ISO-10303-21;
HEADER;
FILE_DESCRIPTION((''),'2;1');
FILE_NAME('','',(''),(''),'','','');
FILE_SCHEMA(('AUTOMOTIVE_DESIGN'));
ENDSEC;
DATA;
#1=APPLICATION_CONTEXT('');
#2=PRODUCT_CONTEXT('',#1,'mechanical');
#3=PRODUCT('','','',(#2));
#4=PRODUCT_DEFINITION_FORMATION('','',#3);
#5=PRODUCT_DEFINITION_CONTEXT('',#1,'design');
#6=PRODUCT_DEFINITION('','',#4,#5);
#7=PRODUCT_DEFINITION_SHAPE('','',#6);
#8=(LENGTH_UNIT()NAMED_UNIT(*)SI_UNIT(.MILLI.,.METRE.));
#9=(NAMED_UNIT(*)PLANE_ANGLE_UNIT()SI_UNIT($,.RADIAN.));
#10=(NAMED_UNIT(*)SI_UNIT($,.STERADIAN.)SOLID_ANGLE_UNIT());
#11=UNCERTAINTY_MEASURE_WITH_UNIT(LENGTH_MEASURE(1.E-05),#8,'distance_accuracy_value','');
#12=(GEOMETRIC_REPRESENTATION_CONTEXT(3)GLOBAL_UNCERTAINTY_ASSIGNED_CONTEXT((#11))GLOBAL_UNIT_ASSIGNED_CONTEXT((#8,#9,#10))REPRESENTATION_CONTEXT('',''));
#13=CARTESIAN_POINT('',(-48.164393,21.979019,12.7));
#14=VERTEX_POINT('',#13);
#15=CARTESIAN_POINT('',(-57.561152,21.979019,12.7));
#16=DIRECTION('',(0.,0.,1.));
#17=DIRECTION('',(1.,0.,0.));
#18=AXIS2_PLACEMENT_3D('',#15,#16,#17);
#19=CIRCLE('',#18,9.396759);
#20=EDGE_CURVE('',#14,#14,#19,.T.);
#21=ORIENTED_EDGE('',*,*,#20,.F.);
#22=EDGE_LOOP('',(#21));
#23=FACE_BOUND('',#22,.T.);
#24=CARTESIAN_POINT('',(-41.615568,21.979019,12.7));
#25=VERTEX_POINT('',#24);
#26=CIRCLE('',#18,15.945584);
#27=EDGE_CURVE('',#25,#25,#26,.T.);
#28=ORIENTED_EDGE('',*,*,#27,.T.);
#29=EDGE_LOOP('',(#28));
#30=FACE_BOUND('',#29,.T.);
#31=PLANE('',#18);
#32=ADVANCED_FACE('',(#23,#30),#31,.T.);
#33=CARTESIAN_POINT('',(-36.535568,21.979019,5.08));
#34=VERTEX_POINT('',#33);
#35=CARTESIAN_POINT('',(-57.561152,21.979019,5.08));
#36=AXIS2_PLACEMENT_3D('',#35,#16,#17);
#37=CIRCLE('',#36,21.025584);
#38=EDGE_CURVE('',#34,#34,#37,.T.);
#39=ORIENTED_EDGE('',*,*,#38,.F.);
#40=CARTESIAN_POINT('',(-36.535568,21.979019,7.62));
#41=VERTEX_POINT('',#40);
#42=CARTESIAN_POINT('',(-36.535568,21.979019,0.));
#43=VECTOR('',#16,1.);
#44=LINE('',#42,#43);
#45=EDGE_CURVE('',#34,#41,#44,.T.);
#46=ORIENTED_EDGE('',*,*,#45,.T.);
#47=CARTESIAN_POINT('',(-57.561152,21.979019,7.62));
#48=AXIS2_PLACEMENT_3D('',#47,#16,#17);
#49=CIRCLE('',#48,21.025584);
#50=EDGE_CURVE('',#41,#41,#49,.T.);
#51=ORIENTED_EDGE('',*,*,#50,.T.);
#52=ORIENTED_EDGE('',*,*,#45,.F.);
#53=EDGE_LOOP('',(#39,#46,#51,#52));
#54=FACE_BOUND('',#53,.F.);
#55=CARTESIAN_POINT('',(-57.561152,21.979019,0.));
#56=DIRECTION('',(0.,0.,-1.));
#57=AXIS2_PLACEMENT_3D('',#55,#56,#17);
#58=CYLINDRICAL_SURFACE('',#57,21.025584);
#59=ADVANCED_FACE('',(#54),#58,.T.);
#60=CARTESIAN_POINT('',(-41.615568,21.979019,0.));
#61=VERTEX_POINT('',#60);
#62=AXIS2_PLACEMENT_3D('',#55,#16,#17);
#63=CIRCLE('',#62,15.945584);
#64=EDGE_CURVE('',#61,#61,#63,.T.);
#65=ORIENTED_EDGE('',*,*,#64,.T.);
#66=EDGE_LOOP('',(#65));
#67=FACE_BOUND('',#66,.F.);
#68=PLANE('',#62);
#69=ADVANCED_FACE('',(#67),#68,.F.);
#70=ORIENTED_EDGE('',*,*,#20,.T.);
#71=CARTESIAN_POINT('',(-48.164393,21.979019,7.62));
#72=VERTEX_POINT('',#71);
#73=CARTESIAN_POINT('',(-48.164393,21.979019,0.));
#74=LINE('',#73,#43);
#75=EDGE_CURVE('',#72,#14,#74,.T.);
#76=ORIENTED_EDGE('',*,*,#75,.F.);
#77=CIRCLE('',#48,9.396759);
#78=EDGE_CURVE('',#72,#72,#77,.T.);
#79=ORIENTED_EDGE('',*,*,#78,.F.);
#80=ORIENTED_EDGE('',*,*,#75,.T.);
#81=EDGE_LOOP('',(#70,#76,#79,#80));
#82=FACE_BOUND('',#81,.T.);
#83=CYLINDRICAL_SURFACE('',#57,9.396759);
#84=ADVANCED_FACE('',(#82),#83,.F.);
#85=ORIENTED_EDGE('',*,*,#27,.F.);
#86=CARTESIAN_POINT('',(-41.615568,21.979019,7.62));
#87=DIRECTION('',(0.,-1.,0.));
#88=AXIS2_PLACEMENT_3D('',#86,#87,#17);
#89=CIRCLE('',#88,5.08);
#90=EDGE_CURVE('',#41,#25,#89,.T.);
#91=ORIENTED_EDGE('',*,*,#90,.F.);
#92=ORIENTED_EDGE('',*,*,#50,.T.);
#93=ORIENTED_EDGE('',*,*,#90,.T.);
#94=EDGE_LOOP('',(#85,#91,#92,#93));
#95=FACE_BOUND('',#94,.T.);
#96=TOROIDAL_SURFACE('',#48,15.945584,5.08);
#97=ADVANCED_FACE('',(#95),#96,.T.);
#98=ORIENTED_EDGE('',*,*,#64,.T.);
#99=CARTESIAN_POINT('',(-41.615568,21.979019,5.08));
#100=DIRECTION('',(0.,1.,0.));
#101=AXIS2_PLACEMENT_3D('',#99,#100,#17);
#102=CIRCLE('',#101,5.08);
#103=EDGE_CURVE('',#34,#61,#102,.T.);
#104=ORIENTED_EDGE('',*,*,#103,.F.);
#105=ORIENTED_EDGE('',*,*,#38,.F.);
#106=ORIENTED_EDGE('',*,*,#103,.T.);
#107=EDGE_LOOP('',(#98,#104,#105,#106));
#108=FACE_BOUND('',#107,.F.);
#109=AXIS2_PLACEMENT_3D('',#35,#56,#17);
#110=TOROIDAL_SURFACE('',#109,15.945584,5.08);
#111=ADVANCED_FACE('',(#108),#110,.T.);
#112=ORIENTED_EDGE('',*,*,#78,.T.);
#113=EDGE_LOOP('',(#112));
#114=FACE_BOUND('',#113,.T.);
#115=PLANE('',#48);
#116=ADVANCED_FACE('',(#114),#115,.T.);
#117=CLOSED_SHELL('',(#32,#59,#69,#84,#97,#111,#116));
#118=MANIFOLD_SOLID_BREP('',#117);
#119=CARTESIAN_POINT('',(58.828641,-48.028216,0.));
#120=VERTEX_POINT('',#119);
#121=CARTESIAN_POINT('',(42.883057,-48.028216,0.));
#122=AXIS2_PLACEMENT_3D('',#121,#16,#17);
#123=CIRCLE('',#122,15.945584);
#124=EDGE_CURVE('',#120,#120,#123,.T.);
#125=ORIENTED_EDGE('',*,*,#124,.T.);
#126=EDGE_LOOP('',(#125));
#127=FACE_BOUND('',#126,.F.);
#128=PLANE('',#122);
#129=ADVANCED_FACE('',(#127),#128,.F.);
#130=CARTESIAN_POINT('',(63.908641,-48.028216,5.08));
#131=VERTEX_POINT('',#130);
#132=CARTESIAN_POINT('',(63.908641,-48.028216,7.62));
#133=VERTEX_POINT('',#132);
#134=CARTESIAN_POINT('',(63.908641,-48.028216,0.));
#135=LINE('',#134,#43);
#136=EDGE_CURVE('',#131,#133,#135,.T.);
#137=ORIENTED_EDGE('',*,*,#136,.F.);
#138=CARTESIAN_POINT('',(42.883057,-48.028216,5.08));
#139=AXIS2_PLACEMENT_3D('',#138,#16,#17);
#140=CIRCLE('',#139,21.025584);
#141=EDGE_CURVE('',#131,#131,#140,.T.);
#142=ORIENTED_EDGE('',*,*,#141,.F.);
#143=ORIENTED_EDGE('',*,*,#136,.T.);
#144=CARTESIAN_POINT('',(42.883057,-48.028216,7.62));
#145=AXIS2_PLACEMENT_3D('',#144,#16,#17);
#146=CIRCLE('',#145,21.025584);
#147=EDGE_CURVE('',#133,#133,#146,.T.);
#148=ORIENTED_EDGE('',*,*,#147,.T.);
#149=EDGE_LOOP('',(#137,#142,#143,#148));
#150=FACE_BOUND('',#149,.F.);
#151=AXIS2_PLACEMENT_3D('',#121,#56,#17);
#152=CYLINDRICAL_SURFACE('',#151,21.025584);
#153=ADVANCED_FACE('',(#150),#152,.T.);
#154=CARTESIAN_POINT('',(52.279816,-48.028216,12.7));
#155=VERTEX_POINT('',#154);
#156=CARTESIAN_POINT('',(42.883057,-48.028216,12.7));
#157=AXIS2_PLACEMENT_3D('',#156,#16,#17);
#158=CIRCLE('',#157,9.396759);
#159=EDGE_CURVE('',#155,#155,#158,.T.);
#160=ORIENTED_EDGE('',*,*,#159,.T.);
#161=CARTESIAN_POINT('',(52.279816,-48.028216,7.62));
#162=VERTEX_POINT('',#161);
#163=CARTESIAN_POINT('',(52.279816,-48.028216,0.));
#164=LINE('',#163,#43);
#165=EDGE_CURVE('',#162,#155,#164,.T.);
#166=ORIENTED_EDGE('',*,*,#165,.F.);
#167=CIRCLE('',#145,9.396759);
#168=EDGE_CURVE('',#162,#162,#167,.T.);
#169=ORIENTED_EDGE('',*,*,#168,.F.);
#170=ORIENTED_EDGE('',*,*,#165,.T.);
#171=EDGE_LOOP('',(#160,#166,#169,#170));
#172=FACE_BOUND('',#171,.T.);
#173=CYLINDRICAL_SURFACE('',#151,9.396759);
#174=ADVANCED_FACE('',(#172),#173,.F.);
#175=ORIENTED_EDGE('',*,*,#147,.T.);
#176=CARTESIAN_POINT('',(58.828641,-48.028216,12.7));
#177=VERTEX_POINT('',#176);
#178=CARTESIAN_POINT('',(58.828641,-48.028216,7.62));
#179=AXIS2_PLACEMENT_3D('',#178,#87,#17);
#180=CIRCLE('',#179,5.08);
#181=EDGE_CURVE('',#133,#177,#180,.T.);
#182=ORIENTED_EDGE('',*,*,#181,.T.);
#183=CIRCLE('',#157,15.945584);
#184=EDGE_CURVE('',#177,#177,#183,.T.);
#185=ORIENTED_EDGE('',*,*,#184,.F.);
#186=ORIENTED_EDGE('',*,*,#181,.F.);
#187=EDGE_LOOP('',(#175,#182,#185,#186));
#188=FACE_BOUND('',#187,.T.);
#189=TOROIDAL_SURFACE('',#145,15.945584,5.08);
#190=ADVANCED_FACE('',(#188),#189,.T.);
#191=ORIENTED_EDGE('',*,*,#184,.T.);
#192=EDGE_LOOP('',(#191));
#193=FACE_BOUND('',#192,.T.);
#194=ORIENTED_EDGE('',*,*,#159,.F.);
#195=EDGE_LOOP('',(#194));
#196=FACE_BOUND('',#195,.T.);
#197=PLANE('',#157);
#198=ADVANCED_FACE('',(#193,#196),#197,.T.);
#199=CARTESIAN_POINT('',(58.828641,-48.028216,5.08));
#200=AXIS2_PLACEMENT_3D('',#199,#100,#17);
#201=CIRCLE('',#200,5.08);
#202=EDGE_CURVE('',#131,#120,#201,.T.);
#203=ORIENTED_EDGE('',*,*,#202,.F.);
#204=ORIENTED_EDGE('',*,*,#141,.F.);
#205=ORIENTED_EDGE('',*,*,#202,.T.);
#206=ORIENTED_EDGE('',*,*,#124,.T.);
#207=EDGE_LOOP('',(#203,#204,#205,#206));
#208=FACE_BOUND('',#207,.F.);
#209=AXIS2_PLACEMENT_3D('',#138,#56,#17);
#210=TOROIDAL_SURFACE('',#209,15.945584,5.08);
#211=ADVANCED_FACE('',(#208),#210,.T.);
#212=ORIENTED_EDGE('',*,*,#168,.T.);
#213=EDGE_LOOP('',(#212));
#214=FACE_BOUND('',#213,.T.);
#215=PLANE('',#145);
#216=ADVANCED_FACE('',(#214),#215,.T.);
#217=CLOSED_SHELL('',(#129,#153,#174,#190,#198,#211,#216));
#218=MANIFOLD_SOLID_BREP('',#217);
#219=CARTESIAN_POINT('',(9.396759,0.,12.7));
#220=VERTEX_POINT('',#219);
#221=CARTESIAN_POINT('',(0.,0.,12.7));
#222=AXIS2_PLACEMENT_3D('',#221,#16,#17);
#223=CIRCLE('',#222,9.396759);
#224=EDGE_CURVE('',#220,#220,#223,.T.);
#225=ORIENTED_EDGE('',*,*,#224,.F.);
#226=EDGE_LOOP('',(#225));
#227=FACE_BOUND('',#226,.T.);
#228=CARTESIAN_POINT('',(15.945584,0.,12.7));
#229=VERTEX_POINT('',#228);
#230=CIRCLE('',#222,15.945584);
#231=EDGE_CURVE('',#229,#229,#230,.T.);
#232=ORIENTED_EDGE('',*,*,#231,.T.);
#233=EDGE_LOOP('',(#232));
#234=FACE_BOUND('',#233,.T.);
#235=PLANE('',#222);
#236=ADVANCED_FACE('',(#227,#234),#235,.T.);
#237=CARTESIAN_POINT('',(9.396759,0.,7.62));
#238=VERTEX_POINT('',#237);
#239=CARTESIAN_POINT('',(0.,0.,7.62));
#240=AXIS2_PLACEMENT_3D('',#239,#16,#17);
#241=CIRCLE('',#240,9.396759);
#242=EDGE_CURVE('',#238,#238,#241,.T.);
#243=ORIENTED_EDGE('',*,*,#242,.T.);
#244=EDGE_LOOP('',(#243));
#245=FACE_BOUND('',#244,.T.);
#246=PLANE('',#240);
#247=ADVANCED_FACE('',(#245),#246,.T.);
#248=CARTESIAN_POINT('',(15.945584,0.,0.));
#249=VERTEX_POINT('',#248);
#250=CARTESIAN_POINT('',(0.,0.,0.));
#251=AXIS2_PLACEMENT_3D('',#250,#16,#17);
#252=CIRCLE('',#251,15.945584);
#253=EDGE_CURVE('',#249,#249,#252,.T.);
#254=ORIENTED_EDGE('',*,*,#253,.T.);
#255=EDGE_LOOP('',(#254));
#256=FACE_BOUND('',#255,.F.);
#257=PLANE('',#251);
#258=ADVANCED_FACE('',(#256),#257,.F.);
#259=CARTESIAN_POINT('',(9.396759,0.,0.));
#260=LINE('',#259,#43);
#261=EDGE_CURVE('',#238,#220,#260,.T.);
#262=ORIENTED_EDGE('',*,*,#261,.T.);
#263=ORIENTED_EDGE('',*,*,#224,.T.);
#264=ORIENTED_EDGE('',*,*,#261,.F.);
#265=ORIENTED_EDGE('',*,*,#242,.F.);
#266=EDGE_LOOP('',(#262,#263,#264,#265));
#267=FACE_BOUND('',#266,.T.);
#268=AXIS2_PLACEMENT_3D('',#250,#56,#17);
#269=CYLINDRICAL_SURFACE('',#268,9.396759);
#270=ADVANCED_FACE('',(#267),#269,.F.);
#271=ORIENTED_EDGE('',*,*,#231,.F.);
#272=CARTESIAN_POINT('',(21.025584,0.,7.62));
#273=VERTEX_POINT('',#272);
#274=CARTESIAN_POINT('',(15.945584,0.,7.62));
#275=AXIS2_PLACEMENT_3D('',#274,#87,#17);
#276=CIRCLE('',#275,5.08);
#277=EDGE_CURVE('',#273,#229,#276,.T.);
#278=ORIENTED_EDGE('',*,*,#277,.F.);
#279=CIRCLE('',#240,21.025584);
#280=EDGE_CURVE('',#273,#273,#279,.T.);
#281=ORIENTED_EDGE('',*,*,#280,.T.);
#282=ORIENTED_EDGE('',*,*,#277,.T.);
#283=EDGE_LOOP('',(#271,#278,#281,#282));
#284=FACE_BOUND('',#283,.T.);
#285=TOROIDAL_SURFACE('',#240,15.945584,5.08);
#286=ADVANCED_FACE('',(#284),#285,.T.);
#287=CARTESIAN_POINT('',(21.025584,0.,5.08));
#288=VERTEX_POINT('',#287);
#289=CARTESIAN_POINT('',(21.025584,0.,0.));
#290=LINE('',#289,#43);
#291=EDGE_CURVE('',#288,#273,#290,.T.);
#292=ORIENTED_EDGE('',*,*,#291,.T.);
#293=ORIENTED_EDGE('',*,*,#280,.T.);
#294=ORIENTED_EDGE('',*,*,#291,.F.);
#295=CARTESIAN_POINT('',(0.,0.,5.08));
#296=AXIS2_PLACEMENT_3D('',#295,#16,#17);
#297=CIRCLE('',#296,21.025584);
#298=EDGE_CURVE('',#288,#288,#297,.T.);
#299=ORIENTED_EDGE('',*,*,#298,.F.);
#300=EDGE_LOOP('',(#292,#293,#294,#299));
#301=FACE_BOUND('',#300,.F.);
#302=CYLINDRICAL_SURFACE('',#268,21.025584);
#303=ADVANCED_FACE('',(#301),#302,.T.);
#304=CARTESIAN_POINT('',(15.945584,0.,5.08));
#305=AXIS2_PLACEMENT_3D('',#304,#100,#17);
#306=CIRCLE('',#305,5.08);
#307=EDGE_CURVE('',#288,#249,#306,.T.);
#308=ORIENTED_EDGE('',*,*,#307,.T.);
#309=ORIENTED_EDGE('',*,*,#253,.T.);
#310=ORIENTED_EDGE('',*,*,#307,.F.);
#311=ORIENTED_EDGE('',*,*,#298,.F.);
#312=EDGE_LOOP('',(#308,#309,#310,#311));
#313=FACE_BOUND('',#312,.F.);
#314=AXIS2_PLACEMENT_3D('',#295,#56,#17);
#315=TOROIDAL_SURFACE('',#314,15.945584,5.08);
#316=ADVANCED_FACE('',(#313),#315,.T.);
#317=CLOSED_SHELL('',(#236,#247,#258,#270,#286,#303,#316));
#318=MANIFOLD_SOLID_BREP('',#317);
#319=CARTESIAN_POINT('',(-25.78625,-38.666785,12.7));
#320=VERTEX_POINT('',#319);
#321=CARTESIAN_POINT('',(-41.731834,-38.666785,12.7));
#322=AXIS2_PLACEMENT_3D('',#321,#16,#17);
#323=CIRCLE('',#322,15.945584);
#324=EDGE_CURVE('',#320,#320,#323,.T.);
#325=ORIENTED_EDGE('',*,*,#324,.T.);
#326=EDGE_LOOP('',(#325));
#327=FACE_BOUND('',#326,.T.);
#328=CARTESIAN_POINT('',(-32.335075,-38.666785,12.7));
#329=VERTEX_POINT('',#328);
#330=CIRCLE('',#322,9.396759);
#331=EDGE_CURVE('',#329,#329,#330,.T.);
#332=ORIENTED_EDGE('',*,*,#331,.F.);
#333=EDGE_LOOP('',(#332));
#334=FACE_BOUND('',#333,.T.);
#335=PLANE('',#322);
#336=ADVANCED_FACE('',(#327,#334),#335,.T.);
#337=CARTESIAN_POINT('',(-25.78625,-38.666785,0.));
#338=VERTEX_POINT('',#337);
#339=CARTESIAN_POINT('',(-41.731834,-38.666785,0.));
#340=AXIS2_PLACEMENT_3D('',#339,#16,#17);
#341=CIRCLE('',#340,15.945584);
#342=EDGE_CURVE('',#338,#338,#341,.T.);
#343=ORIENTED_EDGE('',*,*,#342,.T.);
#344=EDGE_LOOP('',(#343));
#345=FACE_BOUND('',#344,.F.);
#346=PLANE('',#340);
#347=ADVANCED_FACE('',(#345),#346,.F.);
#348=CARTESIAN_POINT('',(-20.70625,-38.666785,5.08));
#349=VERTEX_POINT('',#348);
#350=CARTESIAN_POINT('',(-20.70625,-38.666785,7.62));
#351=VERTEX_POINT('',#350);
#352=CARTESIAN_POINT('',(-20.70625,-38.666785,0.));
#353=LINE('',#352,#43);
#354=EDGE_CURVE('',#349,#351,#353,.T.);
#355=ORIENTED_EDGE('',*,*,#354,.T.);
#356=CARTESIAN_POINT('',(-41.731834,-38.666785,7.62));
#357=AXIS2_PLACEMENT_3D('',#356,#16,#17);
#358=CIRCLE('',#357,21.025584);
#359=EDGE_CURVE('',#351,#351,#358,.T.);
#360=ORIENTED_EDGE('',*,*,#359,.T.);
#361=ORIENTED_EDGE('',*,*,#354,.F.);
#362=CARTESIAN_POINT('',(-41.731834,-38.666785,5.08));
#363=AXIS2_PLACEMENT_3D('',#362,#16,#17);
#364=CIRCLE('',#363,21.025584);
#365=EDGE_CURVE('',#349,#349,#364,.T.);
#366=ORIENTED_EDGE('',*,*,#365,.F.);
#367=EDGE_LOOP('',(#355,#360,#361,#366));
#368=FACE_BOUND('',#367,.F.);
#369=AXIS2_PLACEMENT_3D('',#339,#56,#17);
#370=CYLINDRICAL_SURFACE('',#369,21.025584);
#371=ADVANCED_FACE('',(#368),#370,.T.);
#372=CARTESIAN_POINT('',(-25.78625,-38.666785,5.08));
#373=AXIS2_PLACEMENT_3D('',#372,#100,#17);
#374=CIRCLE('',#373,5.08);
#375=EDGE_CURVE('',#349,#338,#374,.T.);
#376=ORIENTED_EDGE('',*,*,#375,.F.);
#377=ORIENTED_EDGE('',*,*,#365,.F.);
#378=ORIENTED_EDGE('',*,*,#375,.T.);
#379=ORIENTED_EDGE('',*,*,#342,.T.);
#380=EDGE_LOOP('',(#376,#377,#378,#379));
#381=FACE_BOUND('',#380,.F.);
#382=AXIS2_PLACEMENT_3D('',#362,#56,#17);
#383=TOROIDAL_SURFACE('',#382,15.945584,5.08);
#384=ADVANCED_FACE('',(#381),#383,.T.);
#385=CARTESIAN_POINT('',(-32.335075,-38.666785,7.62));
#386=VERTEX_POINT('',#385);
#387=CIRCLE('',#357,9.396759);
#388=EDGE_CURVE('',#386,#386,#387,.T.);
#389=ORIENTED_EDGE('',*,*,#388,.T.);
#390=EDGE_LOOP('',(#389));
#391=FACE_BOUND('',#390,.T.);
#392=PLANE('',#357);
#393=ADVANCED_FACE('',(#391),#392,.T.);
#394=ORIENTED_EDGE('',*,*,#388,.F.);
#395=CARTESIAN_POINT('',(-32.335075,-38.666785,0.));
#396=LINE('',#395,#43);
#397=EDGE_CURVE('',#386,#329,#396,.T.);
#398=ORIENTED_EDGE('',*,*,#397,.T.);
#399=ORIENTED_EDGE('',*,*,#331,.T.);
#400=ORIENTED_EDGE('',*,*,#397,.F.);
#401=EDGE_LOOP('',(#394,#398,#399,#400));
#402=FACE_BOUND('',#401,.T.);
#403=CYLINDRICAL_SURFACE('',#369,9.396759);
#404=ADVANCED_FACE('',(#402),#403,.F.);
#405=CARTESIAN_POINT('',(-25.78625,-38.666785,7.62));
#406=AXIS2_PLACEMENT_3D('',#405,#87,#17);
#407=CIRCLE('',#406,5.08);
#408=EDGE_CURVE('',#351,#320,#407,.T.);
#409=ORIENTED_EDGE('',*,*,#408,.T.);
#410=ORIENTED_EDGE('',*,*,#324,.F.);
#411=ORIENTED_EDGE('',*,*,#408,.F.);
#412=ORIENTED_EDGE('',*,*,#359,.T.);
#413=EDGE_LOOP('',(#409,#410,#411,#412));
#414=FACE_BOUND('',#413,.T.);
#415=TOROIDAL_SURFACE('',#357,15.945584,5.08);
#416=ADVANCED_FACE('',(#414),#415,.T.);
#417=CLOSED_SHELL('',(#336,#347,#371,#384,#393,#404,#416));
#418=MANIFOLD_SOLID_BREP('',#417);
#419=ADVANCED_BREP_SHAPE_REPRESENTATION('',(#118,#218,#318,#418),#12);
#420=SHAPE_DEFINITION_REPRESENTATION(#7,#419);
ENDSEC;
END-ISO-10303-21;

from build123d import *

# Parameters (mm, degrees)
F0_R      = 21.025584
F0_R_2    = 9.396759
F1_DEPTH  = 12.7
F2_R      = 5.08
F3_DEPTH  = 7.62
F4_DEPTH  = 25.4
F5_R      = 5.08
F6_DEPTH  = 12.7
F7_DEPTH  = 25.4
F8_R      = 5.08
F9_DEPTH  = 12.7
F10_DEPTH = 25.4
F11_R     = 5.08
F12_DEPTH = 12.7
F16_DEPTH = 12.7
F17_R     = 5.08
F18_DEPTH = 7.62
F19_DEPTH = 12.7
F20_R     = 5.08
F21_DEPTH = 12.7
F22_R     = 5.08
F23_DEPTH = 7.62
F24_DEPTH = 7.62


with BuildPart() as f1:
    # F0 (on Top) → F1 (new body)
    with BuildSketch(Plane.XY):
        Circle(F0_R)
        Circle(F0_R_2, mode=Mode.SUBTRACT)
    extrude(amount=F1_DEPTH)

    # F2
    f2_edges = [f1.edges().sort_by_distance(p)[0] for p in [
        (21.025584, 0, 6.35),
        (-21.025584, 0, 0),
        (-21.025584, 0, 12.7),
    ]]
    fillet(f2_edges, radius=F2_R)

    # F0 (on Top) → F3 (join)
    with BuildSketch(Plane.XY):
        Circle(F0_R_2)
    extrude(amount=F3_DEPTH)


with BuildPart() as f4:
    # F0 (on Top) → F4 (new body)
    with BuildSketch(Plane.XY):
        with Locations((-57.561152, 21.979019)):
            Circle(F0_R)
        with Locations((-57.561152, 21.979019)):
            Circle(F0_R_2, mode=Mode.SUBTRACT)
    extrude(amount=F4_DEPTH)

    # F5
    f5_edges = [f4.edges().sort_by_distance(p)[0] for p in [
        (-36.535567, 21.979019, 12.7),
        (-78.586736, 21.979019, 0),
        (-78.586736, 21.979019, 25.4),
    ]]
    fillet(f5_edges, radius=F5_R)

    # F0 (on Top) → F6 (join)
    with BuildSketch(Plane.XY):
        with Locations((-57.561152, 21.979019)):
            Circle(F0_R_2)
    extrude(amount=F6_DEPTH)


with BuildPart() as f7:
    # F0 (on Top) → F7 (new body)
    with BuildSketch(Plane.XY):
        with Locations((-41.731834, -38.666785)):
            Circle(F0_R)
        with Locations((-41.731834, -38.666785)):
            Circle(F0_R_2, mode=Mode.SUBTRACT)
    extrude(amount=F7_DEPTH)

    # F8
    f8_edges = [f7.edges().sort_by_distance(p)[0] for p in [
        (-20.70625, -38.666785, 12.7),
        (-62.757419, -38.666785, 0),
        (-62.757419, -38.666785, 25.4),
    ]]
    fillet(f8_edges, radius=F8_R)

    # F0 (on Top) → F9 (join)
    with BuildSketch(Plane.XY):
        with Locations((-41.731834, -38.666785)):
            Circle(F0_R_2)
    extrude(amount=F9_DEPTH)


with BuildPart() as f10:
    # F0 (on Top) → F10 (new body)
    with BuildSketch(Plane.XY):
        with Locations((42.883057, -48.028216)):
            Circle(F0_R)
        with Locations((42.883057, -48.028216)):
            Circle(F0_R_2, mode=Mode.SUBTRACT)
    extrude(amount=F10_DEPTH)

    # F11
    f11_edges = [f10.edges().sort_by_distance(p)[0] for p in [
        (63.908641, -48.028216, 12.7),
        (21.857473, -48.028216, 0),
        (21.857473, -48.028216, 25.4),
    ]]
    fillet(f11_edges, radius=F11_R)

    # F0 (on Top) → F12 (join)
    with BuildSketch(Plane.XY):
        with Locations((42.883057, -48.028216)):
            Circle(F0_R_2)
    extrude(amount=F12_DEPTH)


with BuildPart() as f16:
    # F0 (on Top) → F16 (new body)
    with BuildSketch(Plane.XY):
        with Locations((-57.561152, 21.979019)):
            Circle(F0_R)
        with Locations((-57.561152, 21.979019)):
            Circle(F0_R_2, mode=Mode.SUBTRACT)
    extrude(amount=F16_DEPTH)

    # F17
    f17_edges = [f16.edges().sort_by_distance(p)[0] for p in [
        (-36.535567, 21.979019, 6.35),
        (-78.586736, 21.979019, 0),
        (-78.586736, 21.979019, 12.7),
    ]]
    fillet(f17_edges, radius=F17_R)

    # F0 (on Top) → F18 (join)
    with BuildSketch(Plane.XY):
        with Locations((-57.561152, 21.979019)):
            Circle(F0_R_2)
    extrude(amount=F18_DEPTH)


with BuildPart() as f19:
    # F0 (on Top) → F19 (new body)
    with BuildSketch(Plane.XY):
        with Locations((42.883057, -48.028216)):
            Circle(F0_R)
        with Locations((42.883057, -48.028216)):
            Circle(F0_R_2, mode=Mode.SUBTRACT)
    extrude(amount=F19_DEPTH)

    # F20
    f20_edges = [f19.edges().sort_by_distance(p)[0] for p in [
        (63.908641, -48.028216, 6.35),
        (21.857473, -48.028216, 0),
        (21.857473, -48.028216, 12.7),
    ]]
    fillet(f20_edges, radius=F20_R)

    # F0 (on Top) → F23 (join)
    with BuildSketch(Plane.XY):
        with Locations((42.883057, -48.028216)):
            Circle(F0_R_2)
    extrude(amount=F23_DEPTH)


with BuildPart() as f21:
    # F0 (on Top) → F21 (new body)
    with BuildSketch(Plane.XY):
        with Locations((-41.731834, -38.666785)):
            Circle(F0_R)
        with Locations((-41.731834, -38.666785)):
            Circle(F0_R_2, mode=Mode.SUBTRACT)
    extrude(amount=F21_DEPTH)

    # F22
    f22_edges = [f21.edges().sort_by_distance(p)[0] for p in [
        (-20.70625, -38.666785, 6.35),
        (-62.757419, -38.666785, 0),
        (-62.757419, -38.666785, 12.7),
    ]]
    fillet(f22_edges, radius=F22_R)

    # F0 (on Top) → F24 (join)
    with BuildSketch(Plane.XY):
        with Locations((-41.731834, -38.666785)):
            Circle(F0_R_2)
    extrude(amount=F24_DEPTH)


solid = Compound([f1.part, f16.part, f19.part, f21.part])
